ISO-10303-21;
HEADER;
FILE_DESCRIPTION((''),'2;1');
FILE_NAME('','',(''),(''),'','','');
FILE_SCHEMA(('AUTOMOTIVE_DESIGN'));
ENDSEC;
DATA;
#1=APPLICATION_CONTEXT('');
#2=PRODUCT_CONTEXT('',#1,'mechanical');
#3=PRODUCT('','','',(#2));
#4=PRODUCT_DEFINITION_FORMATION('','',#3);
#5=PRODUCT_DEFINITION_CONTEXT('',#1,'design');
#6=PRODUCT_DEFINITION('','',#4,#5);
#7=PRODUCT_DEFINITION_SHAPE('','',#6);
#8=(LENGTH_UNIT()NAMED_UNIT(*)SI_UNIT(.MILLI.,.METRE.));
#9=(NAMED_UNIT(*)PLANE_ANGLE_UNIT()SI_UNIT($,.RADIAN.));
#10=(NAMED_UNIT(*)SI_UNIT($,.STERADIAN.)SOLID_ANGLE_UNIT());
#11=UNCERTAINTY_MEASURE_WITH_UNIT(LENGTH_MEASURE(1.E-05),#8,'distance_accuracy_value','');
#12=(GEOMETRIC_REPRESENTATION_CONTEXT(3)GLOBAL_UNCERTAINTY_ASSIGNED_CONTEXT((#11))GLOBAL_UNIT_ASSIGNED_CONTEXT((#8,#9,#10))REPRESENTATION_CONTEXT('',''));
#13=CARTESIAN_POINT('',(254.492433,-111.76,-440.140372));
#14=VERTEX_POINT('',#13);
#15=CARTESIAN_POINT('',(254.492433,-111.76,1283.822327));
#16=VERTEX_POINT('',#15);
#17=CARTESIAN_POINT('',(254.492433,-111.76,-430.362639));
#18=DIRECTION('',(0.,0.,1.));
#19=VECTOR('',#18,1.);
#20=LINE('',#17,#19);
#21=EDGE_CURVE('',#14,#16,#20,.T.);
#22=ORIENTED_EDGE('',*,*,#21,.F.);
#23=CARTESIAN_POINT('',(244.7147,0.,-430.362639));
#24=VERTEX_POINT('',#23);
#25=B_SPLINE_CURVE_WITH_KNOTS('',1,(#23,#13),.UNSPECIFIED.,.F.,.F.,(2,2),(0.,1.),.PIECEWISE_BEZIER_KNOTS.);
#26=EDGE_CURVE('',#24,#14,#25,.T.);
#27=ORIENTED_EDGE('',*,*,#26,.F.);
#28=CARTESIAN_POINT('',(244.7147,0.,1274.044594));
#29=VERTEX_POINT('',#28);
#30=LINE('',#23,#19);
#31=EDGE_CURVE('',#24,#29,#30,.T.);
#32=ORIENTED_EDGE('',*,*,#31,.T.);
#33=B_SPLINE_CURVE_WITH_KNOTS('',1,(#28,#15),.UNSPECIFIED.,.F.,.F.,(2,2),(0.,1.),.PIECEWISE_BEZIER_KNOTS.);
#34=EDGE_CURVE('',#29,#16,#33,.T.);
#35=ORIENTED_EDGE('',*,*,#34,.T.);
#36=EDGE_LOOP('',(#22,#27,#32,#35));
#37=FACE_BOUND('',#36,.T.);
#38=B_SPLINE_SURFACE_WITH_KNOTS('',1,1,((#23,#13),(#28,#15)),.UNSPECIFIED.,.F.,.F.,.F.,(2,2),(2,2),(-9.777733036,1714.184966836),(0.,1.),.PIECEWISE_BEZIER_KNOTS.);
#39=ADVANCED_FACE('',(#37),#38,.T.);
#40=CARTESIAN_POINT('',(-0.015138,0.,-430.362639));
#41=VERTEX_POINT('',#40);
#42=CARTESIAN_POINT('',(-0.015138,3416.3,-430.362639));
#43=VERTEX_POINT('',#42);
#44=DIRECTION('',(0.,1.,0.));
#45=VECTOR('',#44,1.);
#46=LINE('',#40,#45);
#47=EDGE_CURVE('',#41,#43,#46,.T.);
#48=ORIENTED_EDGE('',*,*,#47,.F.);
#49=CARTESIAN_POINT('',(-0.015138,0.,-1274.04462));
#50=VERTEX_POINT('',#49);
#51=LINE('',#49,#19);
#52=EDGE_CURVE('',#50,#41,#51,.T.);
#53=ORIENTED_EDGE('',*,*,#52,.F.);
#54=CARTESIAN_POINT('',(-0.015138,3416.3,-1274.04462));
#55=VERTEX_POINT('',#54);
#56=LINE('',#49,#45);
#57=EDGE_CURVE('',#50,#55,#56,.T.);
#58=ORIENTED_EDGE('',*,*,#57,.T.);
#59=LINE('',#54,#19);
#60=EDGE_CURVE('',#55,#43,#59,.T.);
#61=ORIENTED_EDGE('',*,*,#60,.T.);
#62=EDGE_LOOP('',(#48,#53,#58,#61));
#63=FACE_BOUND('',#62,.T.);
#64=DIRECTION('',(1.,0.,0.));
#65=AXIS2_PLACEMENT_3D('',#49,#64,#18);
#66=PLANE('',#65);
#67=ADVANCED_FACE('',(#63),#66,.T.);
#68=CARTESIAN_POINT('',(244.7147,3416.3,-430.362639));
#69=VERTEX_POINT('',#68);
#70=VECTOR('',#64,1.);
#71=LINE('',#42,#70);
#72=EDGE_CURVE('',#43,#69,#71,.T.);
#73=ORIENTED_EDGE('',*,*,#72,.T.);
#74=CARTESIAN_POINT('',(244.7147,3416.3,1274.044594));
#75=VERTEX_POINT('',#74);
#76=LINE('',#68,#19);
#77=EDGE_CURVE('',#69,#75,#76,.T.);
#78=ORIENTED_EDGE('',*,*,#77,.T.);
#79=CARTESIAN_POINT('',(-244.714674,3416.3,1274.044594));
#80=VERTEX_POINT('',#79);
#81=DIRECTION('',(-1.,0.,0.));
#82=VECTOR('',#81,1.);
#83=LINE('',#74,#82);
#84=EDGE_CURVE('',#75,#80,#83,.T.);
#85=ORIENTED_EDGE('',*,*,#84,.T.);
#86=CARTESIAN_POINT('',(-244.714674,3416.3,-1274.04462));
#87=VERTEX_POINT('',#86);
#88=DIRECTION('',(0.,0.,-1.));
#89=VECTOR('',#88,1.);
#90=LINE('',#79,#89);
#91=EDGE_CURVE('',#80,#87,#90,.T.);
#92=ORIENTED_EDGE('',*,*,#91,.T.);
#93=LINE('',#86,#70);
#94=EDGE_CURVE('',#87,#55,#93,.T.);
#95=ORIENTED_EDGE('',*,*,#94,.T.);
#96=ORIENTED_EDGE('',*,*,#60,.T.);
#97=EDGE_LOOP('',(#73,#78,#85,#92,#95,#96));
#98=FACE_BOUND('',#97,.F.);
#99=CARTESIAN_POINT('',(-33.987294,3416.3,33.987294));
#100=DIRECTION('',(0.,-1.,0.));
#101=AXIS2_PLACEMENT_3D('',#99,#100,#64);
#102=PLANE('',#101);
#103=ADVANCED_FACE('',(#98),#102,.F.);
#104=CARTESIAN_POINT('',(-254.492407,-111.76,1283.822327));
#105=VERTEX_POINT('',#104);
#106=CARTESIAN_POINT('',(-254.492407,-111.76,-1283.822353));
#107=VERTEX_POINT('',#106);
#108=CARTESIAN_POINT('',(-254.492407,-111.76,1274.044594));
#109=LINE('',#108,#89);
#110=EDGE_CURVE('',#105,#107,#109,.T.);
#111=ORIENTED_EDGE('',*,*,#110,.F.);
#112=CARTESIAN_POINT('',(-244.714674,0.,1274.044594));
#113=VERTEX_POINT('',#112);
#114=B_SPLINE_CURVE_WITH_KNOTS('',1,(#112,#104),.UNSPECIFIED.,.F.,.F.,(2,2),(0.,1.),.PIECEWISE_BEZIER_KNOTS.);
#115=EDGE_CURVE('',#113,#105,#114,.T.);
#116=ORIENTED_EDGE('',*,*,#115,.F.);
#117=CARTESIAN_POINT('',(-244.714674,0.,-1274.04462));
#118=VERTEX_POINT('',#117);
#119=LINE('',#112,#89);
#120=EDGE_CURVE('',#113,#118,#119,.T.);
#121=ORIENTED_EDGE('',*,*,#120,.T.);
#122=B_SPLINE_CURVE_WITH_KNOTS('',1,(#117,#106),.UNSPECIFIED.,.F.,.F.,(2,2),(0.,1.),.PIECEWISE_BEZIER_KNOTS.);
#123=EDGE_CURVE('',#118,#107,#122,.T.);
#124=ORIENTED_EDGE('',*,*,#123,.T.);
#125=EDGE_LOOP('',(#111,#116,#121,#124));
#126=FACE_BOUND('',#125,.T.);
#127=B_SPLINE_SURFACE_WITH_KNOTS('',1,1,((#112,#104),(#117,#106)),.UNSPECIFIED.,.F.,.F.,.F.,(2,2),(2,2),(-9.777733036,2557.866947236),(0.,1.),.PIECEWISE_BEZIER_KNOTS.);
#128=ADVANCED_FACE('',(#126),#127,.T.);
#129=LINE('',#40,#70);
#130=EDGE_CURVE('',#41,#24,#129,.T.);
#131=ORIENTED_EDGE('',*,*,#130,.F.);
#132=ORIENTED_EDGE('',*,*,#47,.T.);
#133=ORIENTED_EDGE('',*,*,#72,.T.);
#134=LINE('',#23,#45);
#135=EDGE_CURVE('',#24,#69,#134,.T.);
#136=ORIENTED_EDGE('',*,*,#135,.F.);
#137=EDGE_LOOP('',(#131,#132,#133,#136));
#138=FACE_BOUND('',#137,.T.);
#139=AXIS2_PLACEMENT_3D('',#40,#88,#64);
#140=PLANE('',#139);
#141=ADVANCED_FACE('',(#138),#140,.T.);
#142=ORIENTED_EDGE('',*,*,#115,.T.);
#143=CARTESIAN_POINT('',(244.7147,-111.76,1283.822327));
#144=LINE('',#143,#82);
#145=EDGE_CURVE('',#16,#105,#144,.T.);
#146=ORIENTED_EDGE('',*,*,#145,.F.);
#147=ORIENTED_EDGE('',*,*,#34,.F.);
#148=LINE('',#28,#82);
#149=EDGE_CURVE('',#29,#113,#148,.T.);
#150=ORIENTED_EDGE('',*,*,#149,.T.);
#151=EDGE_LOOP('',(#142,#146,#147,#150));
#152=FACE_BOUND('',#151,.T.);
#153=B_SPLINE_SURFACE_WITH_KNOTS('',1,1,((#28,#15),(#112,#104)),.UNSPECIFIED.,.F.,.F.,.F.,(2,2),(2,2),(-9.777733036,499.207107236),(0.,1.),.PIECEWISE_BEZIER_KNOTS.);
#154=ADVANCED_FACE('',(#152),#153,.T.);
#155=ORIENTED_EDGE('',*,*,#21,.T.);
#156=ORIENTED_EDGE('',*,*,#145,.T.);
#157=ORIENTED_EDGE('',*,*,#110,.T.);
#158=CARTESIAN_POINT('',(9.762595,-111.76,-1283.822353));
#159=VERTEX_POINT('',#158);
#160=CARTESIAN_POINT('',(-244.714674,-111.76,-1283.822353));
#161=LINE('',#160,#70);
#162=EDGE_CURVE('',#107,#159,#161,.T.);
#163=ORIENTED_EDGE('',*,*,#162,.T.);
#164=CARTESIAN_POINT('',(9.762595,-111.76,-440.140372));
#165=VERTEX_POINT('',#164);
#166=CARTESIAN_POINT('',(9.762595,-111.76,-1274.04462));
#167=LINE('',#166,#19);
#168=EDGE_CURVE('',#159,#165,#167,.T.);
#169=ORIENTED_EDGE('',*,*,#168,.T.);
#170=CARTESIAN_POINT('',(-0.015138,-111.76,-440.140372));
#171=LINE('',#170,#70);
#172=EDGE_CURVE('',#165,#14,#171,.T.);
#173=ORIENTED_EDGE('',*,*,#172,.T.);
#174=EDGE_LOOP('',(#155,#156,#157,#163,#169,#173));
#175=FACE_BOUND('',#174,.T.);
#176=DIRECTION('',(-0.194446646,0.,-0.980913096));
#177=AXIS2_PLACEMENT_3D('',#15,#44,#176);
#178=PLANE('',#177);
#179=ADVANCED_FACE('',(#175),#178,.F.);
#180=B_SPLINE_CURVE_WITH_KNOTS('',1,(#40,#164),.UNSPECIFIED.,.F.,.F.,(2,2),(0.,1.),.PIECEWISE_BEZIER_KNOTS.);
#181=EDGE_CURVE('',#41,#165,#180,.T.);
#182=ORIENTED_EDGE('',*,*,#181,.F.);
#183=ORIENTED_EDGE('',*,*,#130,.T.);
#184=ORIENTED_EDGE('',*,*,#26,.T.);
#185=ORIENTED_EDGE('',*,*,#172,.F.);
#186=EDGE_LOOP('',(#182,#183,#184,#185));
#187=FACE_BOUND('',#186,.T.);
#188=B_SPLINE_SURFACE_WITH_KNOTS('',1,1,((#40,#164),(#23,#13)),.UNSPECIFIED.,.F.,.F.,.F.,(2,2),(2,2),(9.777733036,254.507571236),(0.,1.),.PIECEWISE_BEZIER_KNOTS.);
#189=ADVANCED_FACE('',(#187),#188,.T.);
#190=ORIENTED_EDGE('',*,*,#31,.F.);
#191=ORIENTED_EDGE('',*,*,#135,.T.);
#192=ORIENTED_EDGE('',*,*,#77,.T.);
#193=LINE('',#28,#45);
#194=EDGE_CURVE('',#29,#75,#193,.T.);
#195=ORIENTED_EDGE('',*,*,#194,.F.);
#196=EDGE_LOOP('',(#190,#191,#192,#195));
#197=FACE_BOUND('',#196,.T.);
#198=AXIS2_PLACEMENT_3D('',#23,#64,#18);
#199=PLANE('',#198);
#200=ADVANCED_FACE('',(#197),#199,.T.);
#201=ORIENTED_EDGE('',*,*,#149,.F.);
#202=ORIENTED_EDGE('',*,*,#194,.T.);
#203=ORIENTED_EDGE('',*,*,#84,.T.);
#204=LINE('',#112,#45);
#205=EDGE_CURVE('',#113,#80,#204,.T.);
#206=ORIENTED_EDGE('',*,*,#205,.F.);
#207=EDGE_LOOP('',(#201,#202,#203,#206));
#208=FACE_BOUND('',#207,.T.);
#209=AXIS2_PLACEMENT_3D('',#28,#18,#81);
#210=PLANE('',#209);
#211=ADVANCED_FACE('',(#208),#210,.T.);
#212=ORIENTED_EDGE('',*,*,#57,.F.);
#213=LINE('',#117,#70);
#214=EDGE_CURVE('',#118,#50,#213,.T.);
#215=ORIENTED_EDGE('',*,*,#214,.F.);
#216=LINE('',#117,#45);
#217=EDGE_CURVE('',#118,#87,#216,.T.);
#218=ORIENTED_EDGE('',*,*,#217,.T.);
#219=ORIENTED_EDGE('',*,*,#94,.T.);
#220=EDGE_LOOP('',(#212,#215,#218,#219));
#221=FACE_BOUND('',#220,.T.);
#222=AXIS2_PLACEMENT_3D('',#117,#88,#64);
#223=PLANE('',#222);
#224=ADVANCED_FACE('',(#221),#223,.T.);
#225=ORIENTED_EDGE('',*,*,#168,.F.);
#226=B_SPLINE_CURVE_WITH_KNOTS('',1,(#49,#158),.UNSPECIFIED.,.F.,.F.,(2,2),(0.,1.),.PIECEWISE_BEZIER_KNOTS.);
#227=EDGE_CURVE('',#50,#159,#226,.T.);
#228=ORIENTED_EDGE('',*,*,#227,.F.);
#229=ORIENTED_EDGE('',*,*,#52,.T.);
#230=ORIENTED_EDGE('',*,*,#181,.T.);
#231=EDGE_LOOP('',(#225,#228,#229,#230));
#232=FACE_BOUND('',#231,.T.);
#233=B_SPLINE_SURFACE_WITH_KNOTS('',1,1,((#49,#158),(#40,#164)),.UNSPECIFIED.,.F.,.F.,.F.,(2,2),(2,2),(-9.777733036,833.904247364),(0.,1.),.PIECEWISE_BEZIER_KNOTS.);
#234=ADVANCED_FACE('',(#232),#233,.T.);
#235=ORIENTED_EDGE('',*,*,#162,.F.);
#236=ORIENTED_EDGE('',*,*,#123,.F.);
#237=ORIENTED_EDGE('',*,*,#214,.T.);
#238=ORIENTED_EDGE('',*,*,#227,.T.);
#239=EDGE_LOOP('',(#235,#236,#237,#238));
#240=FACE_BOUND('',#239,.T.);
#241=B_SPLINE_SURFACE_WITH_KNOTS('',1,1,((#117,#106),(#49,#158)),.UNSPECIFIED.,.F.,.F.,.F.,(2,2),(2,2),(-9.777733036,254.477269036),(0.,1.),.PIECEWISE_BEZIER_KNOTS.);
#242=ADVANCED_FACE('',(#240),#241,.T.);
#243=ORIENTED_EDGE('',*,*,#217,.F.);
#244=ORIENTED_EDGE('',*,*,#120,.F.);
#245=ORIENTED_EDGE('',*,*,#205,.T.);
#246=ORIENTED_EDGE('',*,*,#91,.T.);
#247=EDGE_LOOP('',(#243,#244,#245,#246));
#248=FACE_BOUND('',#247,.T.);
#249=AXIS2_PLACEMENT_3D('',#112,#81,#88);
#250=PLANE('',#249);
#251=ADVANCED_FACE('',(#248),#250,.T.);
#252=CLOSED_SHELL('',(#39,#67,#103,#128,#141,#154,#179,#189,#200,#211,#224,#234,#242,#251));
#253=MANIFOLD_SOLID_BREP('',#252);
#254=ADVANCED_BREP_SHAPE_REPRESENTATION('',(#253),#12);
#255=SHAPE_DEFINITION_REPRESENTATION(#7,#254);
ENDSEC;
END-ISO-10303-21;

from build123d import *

# Parameters (mm, degrees)
F1_DEPTH      = 3416.3
F1_DEPTH_BACK = 111.76
F1_TAPER_BACK = -5


with BuildPart() as f1:
    # F0 (on Front) → F1 (new body, two sides)
    with BuildSketch(Plane.XZ) as f1_sk:
        Polygon((244.7146998, 1274.0445944), (-244.7146744, 1274.0445944), (-244.7146744, -1274.0446198), (-0.0151384, -1274.0446198), (-0.0151384, -430.3626394), (244.7146998, -430.3626394), align=None)
    extrude(amount=-F1_DEPTH)
    extrude(f1_sk.sketch, amount=F1_DEPTH_BACK, taper=F1_TAPER_BACK)


solid = f1.part
